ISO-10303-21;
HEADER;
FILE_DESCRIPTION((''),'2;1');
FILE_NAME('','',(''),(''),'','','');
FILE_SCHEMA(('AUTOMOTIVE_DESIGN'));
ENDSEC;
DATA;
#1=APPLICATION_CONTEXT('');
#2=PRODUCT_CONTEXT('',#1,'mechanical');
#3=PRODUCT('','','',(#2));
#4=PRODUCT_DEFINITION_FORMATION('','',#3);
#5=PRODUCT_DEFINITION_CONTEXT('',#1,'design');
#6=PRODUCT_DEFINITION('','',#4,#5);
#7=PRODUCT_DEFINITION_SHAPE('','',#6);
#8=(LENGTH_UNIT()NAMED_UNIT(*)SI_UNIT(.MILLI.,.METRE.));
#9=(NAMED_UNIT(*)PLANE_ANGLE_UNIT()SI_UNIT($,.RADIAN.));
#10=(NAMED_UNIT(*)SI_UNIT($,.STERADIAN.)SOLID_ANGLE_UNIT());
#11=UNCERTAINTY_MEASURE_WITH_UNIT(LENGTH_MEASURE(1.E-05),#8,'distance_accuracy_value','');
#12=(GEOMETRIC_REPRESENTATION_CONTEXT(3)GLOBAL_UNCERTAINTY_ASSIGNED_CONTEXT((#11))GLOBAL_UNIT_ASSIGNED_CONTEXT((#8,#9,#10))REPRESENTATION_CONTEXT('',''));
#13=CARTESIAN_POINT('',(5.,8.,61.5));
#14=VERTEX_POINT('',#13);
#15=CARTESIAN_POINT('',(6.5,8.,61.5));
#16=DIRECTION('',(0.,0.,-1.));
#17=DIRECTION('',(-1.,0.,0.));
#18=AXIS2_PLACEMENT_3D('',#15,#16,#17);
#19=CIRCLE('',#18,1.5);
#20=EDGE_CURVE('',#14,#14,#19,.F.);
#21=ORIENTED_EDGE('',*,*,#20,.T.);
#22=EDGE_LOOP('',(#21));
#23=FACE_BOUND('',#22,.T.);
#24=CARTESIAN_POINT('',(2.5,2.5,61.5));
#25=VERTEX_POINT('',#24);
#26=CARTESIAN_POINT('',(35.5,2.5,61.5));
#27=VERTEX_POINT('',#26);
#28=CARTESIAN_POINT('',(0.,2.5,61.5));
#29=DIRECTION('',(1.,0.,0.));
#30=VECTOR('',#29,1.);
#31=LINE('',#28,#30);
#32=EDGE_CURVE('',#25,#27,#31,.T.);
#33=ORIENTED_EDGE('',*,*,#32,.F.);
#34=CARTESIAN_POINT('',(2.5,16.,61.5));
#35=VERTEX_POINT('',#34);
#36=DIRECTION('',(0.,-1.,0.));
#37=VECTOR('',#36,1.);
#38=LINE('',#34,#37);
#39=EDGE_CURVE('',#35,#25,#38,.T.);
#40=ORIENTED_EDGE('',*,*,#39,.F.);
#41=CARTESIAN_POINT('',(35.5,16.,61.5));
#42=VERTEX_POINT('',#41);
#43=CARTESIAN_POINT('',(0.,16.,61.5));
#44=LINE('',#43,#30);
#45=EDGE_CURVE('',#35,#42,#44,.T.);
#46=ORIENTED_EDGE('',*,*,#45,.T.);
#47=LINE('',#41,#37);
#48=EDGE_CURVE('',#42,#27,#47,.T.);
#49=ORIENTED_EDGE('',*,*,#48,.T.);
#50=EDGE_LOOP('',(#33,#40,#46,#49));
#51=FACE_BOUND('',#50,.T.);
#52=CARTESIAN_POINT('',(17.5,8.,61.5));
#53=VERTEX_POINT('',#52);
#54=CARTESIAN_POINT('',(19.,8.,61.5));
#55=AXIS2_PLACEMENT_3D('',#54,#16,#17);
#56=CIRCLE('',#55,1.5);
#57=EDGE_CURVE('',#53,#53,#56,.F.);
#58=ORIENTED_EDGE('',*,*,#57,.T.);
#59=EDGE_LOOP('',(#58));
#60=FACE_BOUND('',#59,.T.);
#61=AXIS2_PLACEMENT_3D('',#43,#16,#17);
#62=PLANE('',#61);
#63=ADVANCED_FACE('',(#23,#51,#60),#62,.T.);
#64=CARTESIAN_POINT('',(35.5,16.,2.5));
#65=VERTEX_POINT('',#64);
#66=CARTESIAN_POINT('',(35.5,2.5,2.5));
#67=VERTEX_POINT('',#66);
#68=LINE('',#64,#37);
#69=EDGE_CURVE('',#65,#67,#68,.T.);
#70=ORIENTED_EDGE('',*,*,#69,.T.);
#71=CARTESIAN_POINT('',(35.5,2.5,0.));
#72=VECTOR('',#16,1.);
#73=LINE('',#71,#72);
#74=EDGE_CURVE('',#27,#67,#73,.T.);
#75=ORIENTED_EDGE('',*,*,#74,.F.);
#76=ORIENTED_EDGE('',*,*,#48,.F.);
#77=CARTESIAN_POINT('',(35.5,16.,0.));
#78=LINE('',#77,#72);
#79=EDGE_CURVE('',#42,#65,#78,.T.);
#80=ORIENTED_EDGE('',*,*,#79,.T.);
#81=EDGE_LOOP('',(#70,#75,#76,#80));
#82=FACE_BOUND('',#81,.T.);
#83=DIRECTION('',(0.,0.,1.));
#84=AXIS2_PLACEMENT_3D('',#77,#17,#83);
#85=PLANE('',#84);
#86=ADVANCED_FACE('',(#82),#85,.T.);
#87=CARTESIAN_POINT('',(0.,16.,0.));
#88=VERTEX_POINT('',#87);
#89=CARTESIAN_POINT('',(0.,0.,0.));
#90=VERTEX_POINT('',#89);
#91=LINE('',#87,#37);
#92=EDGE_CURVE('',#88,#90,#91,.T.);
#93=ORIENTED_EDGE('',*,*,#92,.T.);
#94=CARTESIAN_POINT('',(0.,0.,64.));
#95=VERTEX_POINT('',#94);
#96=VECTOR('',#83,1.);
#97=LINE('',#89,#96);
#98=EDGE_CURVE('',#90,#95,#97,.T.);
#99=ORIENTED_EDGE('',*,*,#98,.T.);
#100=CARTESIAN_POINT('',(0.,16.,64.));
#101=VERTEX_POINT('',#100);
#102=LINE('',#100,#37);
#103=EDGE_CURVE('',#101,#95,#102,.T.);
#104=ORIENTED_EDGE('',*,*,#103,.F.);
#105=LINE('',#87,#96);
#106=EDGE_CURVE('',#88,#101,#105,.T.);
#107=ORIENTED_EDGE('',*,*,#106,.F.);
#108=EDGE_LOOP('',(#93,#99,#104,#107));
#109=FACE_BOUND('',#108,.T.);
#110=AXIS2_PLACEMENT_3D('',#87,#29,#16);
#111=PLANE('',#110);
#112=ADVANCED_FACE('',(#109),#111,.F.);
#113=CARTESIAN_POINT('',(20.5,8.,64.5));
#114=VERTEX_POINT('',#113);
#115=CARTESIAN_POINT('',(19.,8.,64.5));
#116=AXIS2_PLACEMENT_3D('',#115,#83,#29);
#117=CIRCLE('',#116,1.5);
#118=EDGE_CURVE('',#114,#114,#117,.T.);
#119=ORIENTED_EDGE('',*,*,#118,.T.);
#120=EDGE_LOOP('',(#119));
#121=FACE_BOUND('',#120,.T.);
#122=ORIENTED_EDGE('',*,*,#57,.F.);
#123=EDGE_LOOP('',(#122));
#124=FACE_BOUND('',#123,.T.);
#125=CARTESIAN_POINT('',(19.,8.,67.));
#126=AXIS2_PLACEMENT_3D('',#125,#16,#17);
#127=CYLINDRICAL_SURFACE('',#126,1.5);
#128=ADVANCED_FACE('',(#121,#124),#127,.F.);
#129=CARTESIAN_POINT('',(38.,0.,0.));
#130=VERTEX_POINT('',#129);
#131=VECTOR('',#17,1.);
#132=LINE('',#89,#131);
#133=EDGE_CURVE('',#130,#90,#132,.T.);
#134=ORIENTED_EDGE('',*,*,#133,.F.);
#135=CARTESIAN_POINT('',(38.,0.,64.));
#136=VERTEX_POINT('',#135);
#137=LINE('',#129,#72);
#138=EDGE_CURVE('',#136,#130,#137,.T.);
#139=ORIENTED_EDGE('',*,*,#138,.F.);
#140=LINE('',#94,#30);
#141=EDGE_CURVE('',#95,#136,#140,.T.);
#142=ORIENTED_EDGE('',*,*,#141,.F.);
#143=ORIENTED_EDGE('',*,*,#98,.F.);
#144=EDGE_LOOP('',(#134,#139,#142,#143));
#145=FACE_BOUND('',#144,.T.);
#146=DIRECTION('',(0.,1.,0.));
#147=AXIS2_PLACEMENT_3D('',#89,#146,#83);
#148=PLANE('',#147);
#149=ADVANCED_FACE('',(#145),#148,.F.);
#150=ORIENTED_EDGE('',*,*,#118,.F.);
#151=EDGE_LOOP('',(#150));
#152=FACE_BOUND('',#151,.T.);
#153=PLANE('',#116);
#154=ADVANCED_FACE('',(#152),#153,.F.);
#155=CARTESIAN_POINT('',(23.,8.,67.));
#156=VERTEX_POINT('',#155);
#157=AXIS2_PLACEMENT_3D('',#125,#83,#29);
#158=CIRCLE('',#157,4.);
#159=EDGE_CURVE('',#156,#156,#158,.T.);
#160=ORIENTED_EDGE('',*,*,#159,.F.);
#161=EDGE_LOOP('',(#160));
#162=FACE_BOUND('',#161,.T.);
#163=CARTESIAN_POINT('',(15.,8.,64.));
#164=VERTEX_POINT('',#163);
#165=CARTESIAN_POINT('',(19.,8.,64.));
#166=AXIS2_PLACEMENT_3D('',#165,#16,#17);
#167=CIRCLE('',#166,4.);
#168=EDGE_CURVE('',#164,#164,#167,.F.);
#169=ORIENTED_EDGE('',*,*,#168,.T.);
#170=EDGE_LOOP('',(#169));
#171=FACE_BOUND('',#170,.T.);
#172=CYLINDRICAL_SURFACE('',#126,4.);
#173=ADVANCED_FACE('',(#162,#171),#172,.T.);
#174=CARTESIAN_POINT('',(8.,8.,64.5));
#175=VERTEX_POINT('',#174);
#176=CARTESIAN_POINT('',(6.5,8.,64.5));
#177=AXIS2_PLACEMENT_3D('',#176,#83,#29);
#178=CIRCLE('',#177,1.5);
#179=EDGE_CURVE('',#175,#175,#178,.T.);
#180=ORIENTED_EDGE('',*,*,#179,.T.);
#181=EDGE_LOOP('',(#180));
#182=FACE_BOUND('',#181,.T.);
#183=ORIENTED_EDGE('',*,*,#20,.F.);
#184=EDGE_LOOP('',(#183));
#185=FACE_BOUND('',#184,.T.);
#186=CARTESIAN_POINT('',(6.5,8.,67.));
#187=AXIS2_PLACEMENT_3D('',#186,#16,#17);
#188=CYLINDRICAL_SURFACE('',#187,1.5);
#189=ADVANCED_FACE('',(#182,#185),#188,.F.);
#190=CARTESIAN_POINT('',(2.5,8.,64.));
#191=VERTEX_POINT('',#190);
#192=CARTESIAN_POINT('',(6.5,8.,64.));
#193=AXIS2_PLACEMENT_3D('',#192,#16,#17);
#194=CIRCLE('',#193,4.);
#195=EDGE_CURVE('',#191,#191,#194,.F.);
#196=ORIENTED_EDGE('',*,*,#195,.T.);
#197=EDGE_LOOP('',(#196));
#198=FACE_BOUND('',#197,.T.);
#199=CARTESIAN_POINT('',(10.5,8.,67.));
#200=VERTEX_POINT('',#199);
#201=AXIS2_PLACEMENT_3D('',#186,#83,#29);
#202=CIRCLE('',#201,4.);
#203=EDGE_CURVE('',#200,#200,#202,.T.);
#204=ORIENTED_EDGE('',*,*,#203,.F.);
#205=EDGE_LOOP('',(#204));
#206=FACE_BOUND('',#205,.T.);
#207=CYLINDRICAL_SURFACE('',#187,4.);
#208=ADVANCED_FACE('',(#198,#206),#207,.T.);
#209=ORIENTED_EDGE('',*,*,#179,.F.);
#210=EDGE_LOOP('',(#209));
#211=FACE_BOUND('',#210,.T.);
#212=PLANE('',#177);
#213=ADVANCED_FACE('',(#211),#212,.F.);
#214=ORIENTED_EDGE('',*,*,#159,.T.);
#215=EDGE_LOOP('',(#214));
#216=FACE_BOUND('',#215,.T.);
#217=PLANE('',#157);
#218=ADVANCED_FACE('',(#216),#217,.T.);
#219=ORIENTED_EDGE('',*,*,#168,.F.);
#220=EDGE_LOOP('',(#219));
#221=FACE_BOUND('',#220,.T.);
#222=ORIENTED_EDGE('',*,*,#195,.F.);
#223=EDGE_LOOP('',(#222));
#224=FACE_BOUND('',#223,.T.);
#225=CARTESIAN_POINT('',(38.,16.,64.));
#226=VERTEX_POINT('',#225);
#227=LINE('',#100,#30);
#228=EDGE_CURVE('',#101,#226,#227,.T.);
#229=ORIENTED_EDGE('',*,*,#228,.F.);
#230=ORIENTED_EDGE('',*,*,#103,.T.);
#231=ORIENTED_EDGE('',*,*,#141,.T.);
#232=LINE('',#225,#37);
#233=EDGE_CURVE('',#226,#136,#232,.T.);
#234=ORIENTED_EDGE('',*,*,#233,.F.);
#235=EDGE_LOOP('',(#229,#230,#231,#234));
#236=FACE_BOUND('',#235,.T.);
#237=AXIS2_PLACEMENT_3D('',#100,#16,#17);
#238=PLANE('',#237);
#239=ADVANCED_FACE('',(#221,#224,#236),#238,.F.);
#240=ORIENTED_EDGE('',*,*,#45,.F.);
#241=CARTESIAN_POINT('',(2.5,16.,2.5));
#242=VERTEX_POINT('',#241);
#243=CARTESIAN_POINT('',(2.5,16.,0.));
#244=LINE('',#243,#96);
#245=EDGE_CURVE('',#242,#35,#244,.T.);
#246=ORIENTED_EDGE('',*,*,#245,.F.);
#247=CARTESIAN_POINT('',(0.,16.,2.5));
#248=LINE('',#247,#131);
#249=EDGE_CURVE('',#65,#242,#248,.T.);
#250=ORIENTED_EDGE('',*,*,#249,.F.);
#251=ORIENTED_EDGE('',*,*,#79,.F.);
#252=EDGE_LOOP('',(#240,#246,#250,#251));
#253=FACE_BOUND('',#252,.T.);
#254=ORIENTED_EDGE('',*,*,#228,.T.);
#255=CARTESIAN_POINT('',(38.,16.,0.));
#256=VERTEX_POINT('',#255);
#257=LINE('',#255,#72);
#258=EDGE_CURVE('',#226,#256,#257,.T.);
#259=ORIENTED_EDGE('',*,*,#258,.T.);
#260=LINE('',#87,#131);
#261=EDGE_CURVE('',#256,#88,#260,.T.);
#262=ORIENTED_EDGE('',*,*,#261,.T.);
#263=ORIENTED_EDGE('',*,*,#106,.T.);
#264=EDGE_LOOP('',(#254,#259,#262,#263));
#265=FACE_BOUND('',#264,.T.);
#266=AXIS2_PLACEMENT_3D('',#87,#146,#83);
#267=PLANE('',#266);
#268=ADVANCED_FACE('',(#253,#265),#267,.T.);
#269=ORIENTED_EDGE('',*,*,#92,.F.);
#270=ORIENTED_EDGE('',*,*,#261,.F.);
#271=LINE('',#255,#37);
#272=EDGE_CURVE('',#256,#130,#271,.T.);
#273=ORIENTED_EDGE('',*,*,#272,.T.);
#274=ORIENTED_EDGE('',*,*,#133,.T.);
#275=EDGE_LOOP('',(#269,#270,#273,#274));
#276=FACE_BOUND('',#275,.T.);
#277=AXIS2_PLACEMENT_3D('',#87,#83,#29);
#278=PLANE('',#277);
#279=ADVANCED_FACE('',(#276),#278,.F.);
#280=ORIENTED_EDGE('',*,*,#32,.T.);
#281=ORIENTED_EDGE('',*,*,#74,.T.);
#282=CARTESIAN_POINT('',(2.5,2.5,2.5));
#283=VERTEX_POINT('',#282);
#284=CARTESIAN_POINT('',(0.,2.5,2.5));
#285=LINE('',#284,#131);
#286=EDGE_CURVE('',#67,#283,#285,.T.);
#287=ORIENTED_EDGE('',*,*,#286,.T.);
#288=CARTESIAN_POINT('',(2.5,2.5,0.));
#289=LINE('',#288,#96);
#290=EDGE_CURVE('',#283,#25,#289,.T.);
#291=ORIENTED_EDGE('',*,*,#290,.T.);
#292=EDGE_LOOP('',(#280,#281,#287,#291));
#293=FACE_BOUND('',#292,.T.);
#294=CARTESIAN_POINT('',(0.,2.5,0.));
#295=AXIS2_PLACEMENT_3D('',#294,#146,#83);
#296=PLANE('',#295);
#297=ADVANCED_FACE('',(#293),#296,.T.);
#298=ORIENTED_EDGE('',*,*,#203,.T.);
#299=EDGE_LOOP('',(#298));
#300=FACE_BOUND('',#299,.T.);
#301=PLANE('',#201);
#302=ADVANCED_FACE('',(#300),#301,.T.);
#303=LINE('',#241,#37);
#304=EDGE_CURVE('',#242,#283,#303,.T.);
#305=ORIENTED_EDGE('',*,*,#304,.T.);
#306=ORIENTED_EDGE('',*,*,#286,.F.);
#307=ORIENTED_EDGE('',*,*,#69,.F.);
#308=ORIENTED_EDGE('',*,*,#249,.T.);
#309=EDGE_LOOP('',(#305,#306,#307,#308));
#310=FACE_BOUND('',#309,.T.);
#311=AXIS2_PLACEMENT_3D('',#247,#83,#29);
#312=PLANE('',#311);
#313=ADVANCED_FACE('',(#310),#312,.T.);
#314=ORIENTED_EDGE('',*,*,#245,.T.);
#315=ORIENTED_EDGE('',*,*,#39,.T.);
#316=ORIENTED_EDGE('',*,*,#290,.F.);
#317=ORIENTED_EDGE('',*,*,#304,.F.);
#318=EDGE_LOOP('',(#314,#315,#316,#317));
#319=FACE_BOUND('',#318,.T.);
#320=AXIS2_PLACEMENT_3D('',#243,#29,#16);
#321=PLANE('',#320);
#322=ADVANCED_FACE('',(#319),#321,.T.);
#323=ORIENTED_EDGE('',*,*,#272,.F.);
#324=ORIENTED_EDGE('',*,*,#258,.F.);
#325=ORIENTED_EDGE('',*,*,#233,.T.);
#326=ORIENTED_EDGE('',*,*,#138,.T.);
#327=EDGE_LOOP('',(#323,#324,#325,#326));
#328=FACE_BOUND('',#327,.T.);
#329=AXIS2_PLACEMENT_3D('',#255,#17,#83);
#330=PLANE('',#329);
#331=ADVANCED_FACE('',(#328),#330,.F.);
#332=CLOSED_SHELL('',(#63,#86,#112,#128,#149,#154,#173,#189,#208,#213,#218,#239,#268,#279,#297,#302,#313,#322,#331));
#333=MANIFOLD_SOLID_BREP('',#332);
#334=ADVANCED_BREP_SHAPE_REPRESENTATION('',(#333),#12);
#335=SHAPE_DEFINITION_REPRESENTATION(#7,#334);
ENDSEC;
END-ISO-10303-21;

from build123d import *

# Parameters (mm, degrees)
SKETCH1_W           = 38
SKETCH1_H           = 64
BOSS_EXTRUDE1_DEPTH = 16
SKETCH2_R           = 4
BOSS_EXTRUDE2_DEPTH = 3
SHELL1_T            = -2.5


with BuildPart() as part:
    # Sketch1 → Boss-Extrude1 (new body)
    with BuildSketch(Plane(origin=(0, 0, 0), x_dir=(1, 0, 0), z_dir=(0, 1, 0))):
        with Locations((19, -32)):
            Rectangle(SKETCH1_W, SKETCH1_H)
    extrude(amount=BOSS_EXTRUDE1_DEPTH)

    # Sketch2 → Boss-Extrude2 (add)
    with BuildSketch(Plane.XY.offset(64)):
        with Locations((19, 8)):
            Circle(SKETCH2_R)
        with Locations((6.5, 8)):
            Circle(SKETCH2_R)
    extrude(amount=BOSS_EXTRUDE2_DEPTH)

    # Shell1
    shell1_openings = [part.faces().sort_by_distance(p)[0] for p in [
        (19, 16, 32),
    ]]
    offset(amount=SHELL1_T, openings=shell1_openings, kind=Kind.INTERSECTION)


solid = part.part
